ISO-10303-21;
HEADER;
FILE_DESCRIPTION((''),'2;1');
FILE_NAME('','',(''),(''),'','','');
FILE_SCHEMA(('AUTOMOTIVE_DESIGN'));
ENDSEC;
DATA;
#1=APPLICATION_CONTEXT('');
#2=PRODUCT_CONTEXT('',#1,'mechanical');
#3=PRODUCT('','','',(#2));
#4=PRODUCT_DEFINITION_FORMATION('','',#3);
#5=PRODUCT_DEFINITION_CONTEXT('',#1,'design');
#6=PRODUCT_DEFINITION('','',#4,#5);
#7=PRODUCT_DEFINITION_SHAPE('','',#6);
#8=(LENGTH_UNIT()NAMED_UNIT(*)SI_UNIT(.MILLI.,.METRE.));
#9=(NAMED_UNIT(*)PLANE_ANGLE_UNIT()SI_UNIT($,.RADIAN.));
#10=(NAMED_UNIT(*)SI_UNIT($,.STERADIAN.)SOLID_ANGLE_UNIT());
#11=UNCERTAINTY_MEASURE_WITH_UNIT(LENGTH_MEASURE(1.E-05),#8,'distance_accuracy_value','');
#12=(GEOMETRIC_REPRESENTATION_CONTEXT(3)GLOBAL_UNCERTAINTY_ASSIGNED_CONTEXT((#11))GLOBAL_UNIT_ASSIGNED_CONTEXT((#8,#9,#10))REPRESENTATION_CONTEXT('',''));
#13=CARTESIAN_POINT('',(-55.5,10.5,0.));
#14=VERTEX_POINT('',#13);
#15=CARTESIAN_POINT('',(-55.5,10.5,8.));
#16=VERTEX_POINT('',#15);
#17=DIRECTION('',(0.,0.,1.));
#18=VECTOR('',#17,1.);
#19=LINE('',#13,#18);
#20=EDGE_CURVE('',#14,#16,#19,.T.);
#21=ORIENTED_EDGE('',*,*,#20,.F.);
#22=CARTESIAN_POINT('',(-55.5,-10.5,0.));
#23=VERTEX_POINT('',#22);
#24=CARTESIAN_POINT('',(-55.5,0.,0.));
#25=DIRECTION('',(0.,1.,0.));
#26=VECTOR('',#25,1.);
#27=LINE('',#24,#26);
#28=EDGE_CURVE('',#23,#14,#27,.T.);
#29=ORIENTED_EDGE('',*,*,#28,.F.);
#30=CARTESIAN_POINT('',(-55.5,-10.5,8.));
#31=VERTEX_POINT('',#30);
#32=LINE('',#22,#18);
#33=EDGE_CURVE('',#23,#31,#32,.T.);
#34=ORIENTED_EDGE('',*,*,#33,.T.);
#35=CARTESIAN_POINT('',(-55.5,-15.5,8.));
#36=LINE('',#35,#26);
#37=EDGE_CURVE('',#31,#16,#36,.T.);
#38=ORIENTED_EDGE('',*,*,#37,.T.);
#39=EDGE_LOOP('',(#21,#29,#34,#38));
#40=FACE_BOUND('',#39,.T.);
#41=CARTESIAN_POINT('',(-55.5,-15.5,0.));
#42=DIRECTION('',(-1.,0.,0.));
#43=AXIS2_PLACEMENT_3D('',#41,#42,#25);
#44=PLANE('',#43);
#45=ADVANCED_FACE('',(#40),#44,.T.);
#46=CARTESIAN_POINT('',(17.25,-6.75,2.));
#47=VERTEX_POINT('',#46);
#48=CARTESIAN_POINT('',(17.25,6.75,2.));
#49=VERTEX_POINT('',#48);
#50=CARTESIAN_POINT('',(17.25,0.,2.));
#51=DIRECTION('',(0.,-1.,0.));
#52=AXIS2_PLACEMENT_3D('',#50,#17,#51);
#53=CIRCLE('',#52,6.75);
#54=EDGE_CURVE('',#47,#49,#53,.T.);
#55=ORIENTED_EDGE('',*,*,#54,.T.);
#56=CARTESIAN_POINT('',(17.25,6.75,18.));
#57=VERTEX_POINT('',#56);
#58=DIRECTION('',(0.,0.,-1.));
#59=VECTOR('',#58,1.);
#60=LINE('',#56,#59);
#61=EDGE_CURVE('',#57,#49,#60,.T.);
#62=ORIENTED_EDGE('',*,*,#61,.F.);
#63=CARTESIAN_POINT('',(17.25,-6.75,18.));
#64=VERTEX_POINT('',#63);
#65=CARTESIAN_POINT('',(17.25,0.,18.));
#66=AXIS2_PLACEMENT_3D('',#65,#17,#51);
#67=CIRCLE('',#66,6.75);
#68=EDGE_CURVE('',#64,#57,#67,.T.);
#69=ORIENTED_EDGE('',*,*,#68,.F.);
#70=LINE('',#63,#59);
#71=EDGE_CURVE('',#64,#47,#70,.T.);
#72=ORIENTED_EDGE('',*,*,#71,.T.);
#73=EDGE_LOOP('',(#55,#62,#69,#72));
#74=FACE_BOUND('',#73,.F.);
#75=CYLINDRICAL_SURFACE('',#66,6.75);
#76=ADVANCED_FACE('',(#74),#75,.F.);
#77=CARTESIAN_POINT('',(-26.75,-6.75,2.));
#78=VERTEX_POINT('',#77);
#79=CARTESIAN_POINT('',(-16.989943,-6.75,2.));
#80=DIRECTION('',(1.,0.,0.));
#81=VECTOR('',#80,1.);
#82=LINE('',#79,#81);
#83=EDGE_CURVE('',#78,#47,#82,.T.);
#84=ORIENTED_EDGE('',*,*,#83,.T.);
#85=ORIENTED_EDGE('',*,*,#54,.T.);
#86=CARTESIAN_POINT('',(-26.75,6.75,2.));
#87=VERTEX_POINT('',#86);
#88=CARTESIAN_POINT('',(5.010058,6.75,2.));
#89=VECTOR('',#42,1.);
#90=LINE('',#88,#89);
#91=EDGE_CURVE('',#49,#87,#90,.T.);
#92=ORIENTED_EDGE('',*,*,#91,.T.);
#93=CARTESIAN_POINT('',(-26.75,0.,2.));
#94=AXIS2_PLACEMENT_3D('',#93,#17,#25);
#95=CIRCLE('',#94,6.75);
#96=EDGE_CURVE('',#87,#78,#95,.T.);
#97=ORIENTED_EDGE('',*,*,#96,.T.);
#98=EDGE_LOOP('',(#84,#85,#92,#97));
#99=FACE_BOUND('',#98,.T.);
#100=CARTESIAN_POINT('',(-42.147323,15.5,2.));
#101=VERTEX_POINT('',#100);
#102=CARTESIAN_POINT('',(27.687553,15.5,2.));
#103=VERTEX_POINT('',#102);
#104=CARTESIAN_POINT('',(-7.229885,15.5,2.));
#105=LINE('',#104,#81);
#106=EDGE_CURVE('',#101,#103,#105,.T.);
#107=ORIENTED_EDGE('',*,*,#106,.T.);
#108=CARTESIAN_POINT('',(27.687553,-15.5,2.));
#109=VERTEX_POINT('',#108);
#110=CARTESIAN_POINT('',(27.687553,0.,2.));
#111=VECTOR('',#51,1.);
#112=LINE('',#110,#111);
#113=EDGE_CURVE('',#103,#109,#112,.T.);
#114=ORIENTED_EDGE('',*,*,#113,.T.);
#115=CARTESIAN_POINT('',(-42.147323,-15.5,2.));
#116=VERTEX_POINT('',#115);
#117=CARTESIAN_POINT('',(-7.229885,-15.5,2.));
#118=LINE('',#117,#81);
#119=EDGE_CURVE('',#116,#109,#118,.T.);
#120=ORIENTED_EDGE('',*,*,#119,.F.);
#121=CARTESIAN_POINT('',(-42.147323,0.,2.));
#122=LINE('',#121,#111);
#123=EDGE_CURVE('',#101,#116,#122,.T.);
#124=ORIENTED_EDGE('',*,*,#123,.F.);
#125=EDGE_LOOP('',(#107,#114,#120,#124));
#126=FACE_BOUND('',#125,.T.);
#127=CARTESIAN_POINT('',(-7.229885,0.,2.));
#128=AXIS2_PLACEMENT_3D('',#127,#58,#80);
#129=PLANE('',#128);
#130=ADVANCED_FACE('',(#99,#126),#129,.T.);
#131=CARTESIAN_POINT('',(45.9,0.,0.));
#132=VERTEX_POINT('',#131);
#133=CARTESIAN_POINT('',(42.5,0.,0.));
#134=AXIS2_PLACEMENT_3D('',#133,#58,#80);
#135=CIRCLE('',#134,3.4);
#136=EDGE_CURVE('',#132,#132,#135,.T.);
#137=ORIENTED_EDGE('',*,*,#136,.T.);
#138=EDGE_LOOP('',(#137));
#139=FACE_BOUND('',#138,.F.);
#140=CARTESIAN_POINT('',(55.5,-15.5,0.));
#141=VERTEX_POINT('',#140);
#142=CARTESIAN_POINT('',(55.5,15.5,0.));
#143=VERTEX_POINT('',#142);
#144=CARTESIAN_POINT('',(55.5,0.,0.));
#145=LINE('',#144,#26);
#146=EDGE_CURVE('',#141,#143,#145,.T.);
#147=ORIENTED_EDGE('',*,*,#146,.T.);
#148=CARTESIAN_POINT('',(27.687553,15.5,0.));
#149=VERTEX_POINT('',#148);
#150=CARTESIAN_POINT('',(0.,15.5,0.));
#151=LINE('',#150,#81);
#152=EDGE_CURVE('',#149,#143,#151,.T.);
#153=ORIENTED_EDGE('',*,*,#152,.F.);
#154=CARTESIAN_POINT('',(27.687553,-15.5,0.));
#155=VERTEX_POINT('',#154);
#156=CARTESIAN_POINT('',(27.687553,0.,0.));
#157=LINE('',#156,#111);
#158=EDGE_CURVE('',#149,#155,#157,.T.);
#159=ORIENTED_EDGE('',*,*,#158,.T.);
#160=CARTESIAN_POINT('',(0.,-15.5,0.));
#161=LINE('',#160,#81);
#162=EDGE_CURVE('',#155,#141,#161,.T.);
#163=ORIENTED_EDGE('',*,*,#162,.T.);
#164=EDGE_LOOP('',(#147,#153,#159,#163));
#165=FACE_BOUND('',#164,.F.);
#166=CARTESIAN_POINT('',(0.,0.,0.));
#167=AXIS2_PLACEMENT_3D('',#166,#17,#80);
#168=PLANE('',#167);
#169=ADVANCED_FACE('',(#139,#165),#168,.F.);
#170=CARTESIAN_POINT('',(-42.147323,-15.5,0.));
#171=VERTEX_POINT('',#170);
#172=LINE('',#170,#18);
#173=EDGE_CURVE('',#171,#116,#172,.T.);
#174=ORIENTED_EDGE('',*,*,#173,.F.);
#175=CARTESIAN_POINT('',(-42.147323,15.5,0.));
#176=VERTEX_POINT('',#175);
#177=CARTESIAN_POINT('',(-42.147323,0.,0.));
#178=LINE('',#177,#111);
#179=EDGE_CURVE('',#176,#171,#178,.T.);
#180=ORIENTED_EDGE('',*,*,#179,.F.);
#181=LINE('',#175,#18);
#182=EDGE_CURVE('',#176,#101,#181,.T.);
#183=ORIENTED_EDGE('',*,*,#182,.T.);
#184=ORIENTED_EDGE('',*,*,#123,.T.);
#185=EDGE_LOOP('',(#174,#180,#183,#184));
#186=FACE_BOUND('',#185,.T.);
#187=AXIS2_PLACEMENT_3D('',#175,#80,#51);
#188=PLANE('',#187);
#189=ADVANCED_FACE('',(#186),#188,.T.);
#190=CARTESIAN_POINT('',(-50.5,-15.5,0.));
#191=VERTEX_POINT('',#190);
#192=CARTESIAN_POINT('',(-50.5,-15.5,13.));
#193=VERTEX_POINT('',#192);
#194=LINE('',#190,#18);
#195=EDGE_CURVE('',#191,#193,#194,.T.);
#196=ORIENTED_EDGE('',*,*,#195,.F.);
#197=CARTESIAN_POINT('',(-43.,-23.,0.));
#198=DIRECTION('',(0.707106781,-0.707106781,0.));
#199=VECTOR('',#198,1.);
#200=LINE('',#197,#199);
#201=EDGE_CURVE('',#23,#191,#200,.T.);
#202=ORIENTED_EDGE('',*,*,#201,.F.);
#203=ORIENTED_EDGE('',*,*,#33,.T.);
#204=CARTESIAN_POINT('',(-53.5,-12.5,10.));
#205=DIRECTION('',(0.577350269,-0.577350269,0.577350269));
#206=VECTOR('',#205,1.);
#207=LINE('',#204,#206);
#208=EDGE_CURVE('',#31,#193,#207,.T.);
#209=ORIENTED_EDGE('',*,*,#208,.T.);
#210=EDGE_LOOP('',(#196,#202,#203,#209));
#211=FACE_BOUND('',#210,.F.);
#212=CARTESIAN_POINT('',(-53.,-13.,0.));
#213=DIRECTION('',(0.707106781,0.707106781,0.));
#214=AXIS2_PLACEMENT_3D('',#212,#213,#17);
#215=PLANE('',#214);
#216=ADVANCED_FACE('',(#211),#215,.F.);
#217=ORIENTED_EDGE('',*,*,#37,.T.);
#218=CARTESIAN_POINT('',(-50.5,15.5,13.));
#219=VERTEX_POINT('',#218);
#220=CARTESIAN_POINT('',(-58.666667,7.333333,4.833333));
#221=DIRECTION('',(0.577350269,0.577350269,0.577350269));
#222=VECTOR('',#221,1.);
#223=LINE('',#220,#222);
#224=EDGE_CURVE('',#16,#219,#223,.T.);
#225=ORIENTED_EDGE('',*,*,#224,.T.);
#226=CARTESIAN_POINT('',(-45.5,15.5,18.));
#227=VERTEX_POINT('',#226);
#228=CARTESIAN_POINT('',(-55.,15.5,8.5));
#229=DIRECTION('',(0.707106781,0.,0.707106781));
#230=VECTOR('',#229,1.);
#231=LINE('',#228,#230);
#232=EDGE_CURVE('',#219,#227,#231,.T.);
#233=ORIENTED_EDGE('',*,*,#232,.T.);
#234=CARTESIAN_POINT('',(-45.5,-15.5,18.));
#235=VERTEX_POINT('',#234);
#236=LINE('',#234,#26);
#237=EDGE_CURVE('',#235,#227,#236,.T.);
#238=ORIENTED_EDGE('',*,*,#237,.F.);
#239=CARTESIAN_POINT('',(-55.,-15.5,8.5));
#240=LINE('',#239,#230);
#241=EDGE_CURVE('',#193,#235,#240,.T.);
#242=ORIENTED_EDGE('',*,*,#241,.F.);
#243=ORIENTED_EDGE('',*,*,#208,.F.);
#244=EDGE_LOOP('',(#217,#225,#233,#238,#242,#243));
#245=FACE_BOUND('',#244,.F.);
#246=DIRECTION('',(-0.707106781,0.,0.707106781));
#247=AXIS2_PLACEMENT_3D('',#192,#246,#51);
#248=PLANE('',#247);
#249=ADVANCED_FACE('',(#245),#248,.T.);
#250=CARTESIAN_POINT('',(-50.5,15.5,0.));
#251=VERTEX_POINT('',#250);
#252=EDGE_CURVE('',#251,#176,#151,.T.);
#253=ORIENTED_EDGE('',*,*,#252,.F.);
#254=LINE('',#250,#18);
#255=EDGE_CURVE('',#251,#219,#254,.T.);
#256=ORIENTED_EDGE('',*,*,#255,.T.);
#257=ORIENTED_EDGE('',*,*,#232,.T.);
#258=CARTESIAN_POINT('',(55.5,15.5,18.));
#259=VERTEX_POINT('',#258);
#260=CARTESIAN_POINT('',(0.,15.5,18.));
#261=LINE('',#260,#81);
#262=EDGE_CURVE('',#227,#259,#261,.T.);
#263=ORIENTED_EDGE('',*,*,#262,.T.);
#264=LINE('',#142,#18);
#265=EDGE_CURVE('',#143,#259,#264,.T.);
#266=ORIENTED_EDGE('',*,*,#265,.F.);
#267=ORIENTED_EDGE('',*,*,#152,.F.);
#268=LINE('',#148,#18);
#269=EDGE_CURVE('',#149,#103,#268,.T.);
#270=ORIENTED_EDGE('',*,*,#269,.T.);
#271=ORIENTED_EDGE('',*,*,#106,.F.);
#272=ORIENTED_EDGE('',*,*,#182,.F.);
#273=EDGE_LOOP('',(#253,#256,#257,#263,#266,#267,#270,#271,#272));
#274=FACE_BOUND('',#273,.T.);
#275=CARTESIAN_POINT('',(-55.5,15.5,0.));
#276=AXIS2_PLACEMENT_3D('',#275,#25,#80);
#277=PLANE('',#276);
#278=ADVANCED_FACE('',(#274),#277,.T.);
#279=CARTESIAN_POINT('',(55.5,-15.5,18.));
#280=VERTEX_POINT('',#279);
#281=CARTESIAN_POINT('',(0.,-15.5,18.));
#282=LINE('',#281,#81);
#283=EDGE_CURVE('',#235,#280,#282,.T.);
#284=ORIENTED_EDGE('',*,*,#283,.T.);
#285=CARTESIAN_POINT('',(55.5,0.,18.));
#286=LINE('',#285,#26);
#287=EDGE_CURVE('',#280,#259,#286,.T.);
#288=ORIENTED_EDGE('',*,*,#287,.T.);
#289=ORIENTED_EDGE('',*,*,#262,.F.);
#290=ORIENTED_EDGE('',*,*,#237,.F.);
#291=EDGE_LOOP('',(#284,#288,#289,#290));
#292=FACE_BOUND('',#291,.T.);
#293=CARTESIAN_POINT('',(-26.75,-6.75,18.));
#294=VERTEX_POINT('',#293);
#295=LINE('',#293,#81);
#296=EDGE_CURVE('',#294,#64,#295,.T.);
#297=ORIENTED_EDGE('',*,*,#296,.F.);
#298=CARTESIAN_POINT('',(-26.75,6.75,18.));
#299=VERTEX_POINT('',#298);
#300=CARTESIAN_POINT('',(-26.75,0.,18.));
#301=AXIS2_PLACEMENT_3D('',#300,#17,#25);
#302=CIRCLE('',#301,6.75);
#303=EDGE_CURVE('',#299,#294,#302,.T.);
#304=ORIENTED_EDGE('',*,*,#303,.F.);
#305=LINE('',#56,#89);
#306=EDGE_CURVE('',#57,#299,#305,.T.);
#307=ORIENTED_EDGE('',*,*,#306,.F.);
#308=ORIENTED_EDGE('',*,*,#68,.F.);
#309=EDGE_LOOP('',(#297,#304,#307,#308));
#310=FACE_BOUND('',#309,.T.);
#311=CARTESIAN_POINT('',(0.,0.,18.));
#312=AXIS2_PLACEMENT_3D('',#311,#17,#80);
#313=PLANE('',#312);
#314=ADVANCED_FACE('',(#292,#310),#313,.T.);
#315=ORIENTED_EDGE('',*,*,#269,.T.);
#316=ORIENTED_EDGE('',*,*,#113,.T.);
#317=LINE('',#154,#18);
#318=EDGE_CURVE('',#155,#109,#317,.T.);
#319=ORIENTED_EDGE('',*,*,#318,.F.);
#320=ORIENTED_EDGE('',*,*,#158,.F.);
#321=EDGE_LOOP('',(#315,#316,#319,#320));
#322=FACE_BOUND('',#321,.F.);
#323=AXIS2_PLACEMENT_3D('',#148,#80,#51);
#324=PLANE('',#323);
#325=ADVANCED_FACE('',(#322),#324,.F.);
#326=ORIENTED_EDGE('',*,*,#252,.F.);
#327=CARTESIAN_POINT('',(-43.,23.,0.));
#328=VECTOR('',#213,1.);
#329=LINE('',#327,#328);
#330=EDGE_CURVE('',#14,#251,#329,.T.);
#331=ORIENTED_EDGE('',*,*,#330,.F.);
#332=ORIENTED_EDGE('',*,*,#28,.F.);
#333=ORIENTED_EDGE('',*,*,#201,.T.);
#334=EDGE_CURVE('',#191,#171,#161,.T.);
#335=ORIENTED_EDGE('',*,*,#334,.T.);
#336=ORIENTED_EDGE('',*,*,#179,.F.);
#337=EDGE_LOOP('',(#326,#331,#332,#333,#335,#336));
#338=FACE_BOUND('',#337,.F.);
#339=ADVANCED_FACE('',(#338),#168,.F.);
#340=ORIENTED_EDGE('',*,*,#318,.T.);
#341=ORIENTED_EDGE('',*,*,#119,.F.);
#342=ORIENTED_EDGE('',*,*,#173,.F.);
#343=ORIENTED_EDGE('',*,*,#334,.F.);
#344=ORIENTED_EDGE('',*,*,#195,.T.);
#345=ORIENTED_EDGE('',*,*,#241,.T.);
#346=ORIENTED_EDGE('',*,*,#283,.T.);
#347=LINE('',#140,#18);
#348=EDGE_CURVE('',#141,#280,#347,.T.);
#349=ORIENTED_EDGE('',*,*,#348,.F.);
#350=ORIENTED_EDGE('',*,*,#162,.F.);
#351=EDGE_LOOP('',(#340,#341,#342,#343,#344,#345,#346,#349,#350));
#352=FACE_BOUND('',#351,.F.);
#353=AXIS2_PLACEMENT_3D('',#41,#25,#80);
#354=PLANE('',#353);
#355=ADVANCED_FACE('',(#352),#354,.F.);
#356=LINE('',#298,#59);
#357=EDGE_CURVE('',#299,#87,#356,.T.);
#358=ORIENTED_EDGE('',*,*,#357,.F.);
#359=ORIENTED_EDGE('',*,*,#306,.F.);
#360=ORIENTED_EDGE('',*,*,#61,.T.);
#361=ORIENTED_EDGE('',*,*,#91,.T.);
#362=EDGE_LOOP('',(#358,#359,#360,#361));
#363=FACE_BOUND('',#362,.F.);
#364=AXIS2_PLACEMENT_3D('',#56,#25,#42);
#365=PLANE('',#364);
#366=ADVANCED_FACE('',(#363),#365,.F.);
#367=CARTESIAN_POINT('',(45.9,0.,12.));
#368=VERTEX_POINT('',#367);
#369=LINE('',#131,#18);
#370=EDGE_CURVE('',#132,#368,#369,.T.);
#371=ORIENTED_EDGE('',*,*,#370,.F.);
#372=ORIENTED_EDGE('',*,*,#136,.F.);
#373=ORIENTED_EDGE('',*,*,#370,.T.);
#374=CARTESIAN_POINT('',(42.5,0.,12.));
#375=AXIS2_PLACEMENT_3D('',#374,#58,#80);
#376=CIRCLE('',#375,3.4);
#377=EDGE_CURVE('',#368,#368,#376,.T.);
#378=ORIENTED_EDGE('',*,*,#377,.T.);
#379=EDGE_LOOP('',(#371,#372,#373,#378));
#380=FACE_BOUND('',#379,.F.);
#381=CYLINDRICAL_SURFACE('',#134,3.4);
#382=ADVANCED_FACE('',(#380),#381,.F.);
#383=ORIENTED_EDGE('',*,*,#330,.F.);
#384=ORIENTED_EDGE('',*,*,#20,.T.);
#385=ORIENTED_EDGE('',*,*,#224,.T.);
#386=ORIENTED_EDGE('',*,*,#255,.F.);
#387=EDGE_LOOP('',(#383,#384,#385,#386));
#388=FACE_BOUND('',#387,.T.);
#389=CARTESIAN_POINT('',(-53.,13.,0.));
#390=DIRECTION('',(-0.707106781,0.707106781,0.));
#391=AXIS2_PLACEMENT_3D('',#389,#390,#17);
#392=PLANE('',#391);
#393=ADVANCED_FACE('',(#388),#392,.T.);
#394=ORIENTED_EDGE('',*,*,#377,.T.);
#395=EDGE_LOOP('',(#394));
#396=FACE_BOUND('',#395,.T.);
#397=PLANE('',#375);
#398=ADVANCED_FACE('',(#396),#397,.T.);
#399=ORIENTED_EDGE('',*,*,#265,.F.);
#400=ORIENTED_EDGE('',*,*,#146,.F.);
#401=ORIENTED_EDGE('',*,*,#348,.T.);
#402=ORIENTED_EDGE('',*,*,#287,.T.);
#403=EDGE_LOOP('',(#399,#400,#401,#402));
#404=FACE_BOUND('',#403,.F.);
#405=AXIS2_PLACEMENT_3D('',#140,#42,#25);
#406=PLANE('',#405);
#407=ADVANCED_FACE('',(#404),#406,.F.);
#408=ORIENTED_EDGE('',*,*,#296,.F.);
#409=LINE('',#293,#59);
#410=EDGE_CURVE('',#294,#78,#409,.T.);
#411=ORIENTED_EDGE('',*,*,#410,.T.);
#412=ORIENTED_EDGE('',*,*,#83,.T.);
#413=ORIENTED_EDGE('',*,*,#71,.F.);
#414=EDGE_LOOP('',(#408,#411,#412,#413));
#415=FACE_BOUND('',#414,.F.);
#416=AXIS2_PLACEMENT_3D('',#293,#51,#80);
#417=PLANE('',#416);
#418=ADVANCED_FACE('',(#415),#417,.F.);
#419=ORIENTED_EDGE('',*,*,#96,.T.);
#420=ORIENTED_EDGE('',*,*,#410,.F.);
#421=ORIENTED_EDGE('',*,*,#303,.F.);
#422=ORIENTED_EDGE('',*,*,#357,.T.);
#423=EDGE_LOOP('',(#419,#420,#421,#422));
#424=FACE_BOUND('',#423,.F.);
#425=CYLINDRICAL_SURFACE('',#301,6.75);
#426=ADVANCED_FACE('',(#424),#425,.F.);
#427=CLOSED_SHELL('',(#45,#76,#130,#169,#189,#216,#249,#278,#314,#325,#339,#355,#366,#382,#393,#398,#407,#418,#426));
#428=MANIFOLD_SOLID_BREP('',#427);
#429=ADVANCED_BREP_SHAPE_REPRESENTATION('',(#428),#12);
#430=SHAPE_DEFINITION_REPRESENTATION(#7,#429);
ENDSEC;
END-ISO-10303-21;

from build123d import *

# Parameters (mm, degrees)
F0_W     = 111
F0_H     = 31
F1_DEPTH = 18
F3_DEPTH = 20
F4_R     = 3.4
F5_DEPTH = 12
F6_W     = 69.834876
F6_H     = 31
F7_DEPTH = 2
F8_SIZE  = 10
F9_SIZE  = 5


with BuildPart() as f1:
    # F0 (on Top) → F1 (new body)
    with BuildSketch(Plane.XY):
        Rectangle(F0_W, F0_H)
    extrude(amount=F1_DEPTH)

    # F2 (on face) → F3 (cut)
    with BuildSketch(Plane.XY.offset(18)):
        with BuildLine():
            Line((17.25, 6.75), (-26.75, 6.75))
            ThreePointArc((-26.75, 6.75), (-33.5, 0), (-26.75, -6.75))
            Line((-26.75, -6.75), (17.25, -6.75))
            ThreePointArc((17.25, -6.75), (24, 0), (17.25, 6.75))
        make_face()
    extrude(amount=-F3_DEPTH, mode=Mode.SUBTRACT)

    # F4 (on face) → F5 (cut)
    with BuildSketch(Plane(origin=(0, 0, 0), x_dir=(1, 0, 0), z_dir=(0, 0, -1))):
        with Locations((42.5, 0)):
            Circle(F4_R)
    extrude(amount=-F5_DEPTH, mode=Mode.SUBTRACT)

    # F6 (on face) → F7 (cut)
    with BuildSketch(Plane(origin=(0, 0, 0), x_dir=(1, 0, 0), z_dir=(0, 0, -1))):
        with Locations((-7.229885, 0)):
            Rectangle(F6_W, F6_H)
    extrude(amount=-F7_DEPTH, mode=Mode.SUBTRACT)

    # F8
    f8_edges = [f1.edges().sort_by_distance(p)[0] for p in [
        (-55.5, 0, 18),
    ]]
    chamfer(f8_edges, length=F8_SIZE)

    # F9
    f9_edges = [f1.edges().sort_by_distance(p)[0] for p in [
        (-55.5, -15.5, 4),
        (-55.5, 15.5, 4),
    ]]
    chamfer(f9_edges, length=F9_SIZE)


solid = f1.part
